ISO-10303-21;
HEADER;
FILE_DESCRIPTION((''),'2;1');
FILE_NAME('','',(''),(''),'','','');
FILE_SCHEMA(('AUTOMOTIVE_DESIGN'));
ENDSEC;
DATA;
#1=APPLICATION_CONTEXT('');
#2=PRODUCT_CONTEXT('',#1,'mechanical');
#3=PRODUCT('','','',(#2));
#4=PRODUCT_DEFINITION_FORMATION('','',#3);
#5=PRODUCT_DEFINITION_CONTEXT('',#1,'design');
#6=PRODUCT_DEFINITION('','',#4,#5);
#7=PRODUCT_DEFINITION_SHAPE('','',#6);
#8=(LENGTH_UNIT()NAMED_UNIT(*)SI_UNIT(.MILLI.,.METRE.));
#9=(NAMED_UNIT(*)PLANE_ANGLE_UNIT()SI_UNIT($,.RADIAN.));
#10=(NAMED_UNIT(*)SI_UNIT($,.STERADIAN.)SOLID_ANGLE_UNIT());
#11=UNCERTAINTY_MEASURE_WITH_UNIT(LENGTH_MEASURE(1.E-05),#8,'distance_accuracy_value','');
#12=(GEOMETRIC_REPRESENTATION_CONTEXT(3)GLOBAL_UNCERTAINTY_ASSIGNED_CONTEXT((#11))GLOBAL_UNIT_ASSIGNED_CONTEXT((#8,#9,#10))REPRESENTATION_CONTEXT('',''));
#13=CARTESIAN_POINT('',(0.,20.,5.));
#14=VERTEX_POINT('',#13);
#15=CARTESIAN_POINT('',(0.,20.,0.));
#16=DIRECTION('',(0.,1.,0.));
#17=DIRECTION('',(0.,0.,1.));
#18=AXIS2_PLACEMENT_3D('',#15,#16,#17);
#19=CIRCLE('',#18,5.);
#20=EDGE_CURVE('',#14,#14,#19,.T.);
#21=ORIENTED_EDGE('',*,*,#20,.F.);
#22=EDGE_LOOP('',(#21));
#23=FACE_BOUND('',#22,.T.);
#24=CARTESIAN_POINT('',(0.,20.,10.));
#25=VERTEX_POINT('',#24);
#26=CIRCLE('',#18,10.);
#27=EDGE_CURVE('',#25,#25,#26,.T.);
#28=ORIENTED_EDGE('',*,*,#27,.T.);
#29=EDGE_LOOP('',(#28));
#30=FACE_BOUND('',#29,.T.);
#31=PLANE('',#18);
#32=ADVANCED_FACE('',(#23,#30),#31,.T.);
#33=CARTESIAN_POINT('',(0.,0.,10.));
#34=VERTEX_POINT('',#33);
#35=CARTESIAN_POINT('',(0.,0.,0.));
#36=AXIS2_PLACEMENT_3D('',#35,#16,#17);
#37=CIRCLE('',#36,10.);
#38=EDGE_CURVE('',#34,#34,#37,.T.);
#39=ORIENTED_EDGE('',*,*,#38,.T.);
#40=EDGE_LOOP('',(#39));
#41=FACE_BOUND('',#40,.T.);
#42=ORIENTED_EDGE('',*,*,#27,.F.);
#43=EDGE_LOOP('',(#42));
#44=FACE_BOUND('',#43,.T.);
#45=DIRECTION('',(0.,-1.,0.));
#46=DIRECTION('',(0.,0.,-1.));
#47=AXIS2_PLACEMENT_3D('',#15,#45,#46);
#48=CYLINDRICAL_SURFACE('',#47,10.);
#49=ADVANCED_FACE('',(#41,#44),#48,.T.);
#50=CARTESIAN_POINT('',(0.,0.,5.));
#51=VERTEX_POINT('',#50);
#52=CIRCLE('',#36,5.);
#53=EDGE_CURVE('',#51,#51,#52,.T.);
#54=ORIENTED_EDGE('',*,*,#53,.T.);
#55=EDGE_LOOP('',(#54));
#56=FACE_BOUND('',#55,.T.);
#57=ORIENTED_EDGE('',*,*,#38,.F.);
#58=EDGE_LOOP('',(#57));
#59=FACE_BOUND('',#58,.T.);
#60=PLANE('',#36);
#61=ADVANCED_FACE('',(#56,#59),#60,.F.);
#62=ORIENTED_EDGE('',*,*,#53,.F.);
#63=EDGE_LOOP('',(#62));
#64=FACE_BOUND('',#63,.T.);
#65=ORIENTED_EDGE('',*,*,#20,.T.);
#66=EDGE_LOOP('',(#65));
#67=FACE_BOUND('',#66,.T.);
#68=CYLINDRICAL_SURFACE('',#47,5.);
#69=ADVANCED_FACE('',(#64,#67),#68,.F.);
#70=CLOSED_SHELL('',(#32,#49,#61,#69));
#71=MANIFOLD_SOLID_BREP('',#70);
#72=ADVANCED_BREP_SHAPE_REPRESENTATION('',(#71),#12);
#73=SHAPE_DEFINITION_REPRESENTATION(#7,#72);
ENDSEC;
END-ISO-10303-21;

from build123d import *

# Parameters (mm, degrees)
ESQUISSE1_R      = 10
ESQUISSE1_R_2    = 5
EXTRUSION1_DEPTH = 20


with BuildPart() as part:
    # Esquisse1 → Extrusion1 (new body)
    with BuildSketch(Plane(origin=(0, 0, 0), x_dir=(1, 0, 0), z_dir=(0, 1, 0))):
        Circle(ESQUISSE1_R)
        Circle(ESQUISSE1_R_2, mode=Mode.SUBTRACT)
    extrude(amount=EXTRUSION1_DEPTH)


solid = part.part
